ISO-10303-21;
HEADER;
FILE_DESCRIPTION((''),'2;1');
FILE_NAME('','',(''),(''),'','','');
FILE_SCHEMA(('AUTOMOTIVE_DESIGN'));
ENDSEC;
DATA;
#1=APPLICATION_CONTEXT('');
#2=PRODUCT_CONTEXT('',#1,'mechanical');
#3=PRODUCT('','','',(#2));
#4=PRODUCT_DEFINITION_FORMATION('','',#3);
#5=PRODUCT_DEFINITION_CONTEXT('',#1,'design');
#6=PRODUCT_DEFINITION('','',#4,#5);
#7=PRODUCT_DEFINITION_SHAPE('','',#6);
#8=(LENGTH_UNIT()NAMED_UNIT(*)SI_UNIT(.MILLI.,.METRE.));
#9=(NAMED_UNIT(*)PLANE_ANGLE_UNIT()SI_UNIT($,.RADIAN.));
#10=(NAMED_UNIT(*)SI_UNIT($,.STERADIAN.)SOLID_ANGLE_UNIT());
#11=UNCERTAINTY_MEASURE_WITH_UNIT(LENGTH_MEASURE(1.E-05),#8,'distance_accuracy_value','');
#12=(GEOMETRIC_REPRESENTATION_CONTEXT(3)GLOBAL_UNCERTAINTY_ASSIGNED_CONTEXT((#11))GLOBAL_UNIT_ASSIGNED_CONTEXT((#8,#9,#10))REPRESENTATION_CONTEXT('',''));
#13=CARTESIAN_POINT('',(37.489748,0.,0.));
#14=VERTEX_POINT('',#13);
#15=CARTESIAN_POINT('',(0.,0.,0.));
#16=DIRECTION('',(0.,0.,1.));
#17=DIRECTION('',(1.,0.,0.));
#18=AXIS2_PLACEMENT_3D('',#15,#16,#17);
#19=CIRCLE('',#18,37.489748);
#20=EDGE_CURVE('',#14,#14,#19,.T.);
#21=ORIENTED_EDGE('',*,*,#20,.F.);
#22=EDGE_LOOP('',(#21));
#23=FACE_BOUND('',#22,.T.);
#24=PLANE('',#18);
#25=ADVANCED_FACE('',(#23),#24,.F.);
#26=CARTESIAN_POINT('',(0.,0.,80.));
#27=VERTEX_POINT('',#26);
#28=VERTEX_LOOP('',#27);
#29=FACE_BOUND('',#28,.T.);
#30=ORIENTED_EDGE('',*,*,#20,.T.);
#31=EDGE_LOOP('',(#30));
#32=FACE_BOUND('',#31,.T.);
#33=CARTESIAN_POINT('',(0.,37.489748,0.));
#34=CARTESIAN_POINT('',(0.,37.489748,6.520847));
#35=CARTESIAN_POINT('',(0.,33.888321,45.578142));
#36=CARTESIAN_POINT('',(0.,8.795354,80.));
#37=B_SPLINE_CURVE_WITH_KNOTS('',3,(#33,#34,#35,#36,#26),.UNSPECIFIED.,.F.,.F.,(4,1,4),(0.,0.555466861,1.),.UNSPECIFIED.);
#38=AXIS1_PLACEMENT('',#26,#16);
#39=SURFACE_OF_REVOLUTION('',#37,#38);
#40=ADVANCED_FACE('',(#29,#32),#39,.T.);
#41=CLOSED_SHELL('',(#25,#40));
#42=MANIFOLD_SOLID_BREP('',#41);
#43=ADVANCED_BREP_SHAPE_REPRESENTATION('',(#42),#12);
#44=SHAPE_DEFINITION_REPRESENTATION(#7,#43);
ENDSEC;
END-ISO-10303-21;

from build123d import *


with BuildPart() as part:
    # Sketch2 (on Right Plane) → Revolve1 (revolve)
    with BuildSketch(Plane(origin=(0, 0, 0), x_dir=(0, 0, -1), z_dir=(1, 0, 0))):
        with BuildLine():
            Line((0, 0), (0, 37.489748036))
            add(Edge.make_bspline(
                [(-80, 0), (-80, 8.795353718), (-45.578141912, 33.888321334), (-6.520846957, 37.489748036), (0, 37.489748036)],
                knots=[0, 0, 0, 0, 0.444533139, 1, 1, 1, 1], degree=3))
            Line((-80, 0), (0, 0))
        make_face()
    revolve(axis=Axis((0, 0, 80), (0, 0, -1)))


solid = part.part
